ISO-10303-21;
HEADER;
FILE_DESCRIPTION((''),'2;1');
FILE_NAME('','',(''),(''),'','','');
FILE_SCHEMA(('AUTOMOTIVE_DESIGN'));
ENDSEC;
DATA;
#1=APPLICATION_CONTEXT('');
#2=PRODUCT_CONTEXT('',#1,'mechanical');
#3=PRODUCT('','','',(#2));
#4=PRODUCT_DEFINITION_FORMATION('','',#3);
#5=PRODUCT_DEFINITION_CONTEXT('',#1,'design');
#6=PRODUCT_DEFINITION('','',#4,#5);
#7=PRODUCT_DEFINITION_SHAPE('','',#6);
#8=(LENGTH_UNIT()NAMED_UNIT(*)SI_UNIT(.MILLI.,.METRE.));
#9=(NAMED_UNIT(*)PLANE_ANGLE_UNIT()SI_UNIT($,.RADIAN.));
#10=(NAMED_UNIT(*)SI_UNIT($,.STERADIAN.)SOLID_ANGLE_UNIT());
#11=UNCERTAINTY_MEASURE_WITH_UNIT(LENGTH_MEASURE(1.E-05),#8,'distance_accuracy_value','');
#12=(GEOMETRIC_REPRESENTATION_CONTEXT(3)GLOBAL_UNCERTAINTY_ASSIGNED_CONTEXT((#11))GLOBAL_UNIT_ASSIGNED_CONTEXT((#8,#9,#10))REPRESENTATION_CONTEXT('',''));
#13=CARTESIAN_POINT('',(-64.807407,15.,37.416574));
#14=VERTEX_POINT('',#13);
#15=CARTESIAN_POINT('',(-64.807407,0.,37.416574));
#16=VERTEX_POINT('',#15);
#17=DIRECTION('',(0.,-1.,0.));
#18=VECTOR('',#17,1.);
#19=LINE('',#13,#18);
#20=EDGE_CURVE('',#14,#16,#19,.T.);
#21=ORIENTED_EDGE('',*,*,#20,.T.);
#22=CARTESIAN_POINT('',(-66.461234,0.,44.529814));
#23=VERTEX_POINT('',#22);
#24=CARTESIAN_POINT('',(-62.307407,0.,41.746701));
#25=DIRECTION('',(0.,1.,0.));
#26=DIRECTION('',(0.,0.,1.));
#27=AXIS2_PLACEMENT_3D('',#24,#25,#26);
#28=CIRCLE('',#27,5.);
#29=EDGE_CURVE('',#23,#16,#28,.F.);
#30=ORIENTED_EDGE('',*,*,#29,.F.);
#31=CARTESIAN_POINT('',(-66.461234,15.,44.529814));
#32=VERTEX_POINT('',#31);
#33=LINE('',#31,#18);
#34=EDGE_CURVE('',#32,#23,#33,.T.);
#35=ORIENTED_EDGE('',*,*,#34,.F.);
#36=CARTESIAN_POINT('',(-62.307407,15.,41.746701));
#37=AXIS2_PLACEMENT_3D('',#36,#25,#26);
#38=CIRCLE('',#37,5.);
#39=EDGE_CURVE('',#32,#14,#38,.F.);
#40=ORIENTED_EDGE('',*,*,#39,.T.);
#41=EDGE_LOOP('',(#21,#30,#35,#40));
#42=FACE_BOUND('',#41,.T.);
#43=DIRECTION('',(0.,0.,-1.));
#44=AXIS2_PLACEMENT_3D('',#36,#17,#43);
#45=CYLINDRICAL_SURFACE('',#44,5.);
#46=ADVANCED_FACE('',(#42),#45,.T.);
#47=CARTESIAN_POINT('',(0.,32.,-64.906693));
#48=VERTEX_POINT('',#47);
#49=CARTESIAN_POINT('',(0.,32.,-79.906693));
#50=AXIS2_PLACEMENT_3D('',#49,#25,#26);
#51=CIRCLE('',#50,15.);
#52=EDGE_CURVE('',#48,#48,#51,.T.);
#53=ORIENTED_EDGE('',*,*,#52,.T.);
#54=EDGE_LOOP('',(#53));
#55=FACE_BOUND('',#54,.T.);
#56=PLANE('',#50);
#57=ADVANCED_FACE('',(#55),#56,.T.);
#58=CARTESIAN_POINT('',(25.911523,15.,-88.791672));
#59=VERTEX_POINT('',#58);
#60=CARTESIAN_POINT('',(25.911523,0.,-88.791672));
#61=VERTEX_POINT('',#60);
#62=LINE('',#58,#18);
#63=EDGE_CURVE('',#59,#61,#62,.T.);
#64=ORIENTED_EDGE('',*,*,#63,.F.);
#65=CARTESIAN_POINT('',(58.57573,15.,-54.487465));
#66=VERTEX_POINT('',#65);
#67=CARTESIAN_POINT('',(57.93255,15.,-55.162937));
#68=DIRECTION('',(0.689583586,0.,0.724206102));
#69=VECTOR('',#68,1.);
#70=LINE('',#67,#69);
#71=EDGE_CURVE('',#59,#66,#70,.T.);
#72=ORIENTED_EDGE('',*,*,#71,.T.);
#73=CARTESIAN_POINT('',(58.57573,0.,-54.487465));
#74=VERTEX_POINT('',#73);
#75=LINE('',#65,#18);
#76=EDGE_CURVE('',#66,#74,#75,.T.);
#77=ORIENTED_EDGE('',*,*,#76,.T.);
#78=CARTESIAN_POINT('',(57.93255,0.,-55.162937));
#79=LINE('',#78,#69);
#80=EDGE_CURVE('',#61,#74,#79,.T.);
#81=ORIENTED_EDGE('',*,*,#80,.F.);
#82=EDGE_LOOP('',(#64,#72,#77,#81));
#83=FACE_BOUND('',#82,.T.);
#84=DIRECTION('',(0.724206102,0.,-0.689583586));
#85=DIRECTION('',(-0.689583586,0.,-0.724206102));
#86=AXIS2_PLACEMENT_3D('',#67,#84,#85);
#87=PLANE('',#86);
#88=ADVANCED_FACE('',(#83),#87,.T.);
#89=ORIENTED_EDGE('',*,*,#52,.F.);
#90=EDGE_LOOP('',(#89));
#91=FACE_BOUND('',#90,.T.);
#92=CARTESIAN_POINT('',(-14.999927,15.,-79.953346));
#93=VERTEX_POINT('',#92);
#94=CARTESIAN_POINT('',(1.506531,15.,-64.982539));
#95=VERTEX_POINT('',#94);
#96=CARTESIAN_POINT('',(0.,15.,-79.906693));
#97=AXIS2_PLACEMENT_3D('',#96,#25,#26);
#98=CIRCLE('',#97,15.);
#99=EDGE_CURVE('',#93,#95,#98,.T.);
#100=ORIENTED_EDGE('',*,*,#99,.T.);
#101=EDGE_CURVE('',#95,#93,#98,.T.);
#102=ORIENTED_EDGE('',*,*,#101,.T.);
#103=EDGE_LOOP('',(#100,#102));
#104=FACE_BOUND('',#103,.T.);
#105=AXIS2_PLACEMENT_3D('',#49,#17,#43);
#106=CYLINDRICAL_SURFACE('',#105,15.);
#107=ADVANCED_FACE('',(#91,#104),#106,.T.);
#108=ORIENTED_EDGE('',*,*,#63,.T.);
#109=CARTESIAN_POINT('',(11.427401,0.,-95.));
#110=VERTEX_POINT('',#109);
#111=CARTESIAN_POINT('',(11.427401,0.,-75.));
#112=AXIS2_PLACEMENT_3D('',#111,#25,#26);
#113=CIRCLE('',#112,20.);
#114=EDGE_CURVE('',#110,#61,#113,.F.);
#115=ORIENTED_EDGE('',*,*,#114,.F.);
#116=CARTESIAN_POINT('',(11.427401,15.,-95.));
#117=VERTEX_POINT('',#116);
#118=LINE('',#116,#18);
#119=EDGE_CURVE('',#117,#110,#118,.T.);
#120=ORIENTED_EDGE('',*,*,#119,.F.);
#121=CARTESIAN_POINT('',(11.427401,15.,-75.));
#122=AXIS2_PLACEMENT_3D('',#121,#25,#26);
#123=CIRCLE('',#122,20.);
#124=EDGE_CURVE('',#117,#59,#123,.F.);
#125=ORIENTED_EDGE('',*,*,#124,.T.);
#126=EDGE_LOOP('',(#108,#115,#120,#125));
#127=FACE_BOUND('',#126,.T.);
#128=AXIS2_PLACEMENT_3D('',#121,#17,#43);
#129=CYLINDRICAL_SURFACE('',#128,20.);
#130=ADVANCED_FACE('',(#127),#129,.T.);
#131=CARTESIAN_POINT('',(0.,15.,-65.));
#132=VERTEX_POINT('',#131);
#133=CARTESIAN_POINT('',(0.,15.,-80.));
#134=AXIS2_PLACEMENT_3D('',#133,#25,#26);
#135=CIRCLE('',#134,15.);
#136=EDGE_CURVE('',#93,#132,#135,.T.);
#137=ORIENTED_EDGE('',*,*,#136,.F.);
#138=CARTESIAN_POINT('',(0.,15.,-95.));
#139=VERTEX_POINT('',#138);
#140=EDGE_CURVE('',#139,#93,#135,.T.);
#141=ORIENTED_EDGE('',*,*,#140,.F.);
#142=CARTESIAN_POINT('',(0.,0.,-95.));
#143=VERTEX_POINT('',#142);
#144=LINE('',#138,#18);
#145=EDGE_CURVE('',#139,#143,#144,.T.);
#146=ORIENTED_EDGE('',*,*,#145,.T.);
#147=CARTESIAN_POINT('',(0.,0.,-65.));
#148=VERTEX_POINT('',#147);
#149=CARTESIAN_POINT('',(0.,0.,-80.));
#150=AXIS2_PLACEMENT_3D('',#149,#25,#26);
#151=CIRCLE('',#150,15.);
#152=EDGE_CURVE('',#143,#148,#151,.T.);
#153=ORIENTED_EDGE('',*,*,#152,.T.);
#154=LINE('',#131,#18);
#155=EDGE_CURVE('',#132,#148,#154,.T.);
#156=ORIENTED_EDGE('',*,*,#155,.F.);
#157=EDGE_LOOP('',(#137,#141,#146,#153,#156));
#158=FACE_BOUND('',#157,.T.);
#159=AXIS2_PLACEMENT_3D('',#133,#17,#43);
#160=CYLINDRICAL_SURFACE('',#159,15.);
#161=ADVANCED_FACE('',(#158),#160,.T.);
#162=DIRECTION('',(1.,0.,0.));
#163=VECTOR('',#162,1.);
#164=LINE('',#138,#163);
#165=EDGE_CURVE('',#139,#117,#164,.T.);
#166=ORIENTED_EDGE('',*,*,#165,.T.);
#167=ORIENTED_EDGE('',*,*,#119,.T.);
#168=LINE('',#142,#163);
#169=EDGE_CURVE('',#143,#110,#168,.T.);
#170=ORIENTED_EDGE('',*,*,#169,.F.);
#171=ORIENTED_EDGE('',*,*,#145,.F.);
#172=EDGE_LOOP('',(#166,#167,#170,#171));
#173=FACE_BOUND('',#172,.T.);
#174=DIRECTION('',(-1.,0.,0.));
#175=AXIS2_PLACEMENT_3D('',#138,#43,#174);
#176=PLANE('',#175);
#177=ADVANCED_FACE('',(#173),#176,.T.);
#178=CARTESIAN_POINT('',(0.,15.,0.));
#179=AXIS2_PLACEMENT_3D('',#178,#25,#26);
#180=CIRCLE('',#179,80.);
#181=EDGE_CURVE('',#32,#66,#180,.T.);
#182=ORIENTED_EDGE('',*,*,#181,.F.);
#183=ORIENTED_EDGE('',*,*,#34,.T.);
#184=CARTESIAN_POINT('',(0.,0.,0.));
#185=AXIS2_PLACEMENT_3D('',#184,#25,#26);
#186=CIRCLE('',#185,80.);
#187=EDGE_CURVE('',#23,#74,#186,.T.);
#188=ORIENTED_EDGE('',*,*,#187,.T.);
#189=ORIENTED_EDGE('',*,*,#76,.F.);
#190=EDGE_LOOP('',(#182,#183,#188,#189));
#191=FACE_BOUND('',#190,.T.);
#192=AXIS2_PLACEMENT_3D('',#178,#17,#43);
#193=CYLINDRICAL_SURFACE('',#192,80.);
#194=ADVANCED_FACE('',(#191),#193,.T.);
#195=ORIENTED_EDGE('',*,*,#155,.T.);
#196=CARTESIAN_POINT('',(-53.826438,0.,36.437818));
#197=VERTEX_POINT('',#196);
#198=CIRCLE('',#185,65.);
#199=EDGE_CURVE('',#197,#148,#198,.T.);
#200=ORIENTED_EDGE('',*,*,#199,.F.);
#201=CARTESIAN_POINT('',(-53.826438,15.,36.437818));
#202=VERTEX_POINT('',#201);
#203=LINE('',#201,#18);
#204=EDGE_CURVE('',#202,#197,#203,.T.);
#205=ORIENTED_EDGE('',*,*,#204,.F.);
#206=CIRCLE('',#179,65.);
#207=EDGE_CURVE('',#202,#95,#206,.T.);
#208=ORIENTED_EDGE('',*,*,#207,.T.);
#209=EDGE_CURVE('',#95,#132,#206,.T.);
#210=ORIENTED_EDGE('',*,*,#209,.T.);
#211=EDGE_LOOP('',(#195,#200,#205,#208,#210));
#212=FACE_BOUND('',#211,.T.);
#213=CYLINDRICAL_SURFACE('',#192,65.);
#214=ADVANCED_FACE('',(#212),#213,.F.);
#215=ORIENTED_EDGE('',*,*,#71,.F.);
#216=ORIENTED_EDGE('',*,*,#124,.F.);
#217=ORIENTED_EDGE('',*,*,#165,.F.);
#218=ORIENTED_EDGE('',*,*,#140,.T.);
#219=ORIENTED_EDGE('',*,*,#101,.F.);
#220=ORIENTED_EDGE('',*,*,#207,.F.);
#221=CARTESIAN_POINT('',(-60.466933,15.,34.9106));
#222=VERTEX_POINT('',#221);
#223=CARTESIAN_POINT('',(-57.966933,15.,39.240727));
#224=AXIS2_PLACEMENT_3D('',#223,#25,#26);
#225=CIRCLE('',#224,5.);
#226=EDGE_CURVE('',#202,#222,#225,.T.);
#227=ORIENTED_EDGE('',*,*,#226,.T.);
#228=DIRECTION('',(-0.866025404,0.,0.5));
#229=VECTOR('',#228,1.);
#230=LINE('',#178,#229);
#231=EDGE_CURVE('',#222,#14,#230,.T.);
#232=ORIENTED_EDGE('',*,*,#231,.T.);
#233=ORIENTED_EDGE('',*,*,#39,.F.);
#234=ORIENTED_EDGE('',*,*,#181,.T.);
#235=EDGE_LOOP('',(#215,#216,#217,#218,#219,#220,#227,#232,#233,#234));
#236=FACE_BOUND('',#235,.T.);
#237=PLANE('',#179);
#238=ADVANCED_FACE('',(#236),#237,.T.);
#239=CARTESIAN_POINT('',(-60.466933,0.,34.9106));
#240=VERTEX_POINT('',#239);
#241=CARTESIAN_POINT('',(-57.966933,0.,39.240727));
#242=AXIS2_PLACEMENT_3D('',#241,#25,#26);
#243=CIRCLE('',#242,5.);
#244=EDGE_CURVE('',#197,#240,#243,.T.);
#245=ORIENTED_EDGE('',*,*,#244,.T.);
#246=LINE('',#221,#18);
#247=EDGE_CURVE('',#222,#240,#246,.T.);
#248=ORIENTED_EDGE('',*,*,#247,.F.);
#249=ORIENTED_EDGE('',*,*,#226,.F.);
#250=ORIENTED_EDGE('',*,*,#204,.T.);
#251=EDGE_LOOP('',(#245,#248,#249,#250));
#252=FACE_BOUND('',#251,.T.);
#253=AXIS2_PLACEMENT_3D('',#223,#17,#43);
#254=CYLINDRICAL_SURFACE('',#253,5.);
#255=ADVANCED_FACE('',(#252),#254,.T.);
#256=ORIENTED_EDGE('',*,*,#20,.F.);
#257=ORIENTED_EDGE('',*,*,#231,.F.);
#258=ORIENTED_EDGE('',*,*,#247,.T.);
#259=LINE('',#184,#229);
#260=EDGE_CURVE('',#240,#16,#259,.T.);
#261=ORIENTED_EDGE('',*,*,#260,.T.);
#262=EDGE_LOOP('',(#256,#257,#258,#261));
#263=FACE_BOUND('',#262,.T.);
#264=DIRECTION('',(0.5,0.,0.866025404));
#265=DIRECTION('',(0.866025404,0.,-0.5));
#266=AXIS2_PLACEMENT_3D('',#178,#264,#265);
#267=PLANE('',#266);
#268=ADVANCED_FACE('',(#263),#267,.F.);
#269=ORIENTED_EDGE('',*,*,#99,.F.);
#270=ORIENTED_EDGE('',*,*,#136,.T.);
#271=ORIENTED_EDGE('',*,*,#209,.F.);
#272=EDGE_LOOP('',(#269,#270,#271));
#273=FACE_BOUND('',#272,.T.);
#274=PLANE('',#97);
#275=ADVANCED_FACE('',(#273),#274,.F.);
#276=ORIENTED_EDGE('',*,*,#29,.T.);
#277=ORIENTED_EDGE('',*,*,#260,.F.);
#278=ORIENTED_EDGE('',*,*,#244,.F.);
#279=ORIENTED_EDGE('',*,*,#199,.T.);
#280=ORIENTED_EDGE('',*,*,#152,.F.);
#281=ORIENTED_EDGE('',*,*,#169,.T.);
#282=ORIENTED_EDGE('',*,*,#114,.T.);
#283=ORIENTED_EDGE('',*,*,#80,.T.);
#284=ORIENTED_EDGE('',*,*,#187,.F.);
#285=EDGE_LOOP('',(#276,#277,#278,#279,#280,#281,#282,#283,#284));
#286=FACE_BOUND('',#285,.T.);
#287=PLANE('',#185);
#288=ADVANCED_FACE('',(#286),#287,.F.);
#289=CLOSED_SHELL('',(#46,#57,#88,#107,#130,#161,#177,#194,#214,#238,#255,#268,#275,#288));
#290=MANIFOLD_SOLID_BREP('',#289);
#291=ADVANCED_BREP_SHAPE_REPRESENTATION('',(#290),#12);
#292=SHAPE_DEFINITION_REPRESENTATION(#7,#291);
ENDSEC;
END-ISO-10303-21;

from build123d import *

# Parameters (mm, degrees)
EXTRUDE_4_DEPTH = 15
SKETCH_10_R     = 15
EXTRUDE_5_DEPTH = 17


with BuildPart() as part:
    # ｽｹｯﾁ2 → ﾎﾞｽ - 押し出し4 (new body)
    with BuildSketch(Plane(origin=(0, 0, 0), x_dir=(1, 0, 0), z_dir=(0, 1, 0))):
        with BuildLine():
            ThreePointArc((-53.82643789, -36.437818048), (-56.846261527, -34.367935813), (-60.466933112, -34.910600109))
            Line((-60.466933112, -34.910600109), (-64.807406984, -37.416573868))
            ThreePointArc((-64.807406984, -37.416573868), (-67.177509772, -40.614402853), (-66.461234116, -44.529814279))
            ThreePointArc((-66.461234116, -44.529814279), (49.665387485, -62.716419588), (58.57572973, 54.487465409))
            Line((58.57572973, 54.487465409), (57.289371136, 55.838409315))
            Line((57.289371136, 55.838409315), (25.911523347, 88.791671712))
            ThreePointArc((25.911523347, 88.791671712), (19.306695871, 93.382511176), (11.427401304, 95))
            Line((11.427401304, 95), (0, 95))
            ThreePointArc((0, 95), (-15, 80), (0, 65))
            ThreePointArc((0, 65), (57.41714976, -30.467538684), (-53.82643789, -36.437818048))
        make_face()
    extrude(amount=EXTRUDE_4_DEPTH)

    # ｽｹｯﾁ10 → ﾎﾞｽ - 押し出し5 (add)
    with BuildSketch(Plane(origin=(0, 15, 0), x_dir=(1, 0, 0), z_dir=(0, 1, 0))):
        with Locations(Location((0, 79.906692584, 0), (0, 0, 179.821795675))):
            Circle(SKETCH_10_R)
    extrude(amount=EXTRUDE_5_DEPTH)


solid = part.part
